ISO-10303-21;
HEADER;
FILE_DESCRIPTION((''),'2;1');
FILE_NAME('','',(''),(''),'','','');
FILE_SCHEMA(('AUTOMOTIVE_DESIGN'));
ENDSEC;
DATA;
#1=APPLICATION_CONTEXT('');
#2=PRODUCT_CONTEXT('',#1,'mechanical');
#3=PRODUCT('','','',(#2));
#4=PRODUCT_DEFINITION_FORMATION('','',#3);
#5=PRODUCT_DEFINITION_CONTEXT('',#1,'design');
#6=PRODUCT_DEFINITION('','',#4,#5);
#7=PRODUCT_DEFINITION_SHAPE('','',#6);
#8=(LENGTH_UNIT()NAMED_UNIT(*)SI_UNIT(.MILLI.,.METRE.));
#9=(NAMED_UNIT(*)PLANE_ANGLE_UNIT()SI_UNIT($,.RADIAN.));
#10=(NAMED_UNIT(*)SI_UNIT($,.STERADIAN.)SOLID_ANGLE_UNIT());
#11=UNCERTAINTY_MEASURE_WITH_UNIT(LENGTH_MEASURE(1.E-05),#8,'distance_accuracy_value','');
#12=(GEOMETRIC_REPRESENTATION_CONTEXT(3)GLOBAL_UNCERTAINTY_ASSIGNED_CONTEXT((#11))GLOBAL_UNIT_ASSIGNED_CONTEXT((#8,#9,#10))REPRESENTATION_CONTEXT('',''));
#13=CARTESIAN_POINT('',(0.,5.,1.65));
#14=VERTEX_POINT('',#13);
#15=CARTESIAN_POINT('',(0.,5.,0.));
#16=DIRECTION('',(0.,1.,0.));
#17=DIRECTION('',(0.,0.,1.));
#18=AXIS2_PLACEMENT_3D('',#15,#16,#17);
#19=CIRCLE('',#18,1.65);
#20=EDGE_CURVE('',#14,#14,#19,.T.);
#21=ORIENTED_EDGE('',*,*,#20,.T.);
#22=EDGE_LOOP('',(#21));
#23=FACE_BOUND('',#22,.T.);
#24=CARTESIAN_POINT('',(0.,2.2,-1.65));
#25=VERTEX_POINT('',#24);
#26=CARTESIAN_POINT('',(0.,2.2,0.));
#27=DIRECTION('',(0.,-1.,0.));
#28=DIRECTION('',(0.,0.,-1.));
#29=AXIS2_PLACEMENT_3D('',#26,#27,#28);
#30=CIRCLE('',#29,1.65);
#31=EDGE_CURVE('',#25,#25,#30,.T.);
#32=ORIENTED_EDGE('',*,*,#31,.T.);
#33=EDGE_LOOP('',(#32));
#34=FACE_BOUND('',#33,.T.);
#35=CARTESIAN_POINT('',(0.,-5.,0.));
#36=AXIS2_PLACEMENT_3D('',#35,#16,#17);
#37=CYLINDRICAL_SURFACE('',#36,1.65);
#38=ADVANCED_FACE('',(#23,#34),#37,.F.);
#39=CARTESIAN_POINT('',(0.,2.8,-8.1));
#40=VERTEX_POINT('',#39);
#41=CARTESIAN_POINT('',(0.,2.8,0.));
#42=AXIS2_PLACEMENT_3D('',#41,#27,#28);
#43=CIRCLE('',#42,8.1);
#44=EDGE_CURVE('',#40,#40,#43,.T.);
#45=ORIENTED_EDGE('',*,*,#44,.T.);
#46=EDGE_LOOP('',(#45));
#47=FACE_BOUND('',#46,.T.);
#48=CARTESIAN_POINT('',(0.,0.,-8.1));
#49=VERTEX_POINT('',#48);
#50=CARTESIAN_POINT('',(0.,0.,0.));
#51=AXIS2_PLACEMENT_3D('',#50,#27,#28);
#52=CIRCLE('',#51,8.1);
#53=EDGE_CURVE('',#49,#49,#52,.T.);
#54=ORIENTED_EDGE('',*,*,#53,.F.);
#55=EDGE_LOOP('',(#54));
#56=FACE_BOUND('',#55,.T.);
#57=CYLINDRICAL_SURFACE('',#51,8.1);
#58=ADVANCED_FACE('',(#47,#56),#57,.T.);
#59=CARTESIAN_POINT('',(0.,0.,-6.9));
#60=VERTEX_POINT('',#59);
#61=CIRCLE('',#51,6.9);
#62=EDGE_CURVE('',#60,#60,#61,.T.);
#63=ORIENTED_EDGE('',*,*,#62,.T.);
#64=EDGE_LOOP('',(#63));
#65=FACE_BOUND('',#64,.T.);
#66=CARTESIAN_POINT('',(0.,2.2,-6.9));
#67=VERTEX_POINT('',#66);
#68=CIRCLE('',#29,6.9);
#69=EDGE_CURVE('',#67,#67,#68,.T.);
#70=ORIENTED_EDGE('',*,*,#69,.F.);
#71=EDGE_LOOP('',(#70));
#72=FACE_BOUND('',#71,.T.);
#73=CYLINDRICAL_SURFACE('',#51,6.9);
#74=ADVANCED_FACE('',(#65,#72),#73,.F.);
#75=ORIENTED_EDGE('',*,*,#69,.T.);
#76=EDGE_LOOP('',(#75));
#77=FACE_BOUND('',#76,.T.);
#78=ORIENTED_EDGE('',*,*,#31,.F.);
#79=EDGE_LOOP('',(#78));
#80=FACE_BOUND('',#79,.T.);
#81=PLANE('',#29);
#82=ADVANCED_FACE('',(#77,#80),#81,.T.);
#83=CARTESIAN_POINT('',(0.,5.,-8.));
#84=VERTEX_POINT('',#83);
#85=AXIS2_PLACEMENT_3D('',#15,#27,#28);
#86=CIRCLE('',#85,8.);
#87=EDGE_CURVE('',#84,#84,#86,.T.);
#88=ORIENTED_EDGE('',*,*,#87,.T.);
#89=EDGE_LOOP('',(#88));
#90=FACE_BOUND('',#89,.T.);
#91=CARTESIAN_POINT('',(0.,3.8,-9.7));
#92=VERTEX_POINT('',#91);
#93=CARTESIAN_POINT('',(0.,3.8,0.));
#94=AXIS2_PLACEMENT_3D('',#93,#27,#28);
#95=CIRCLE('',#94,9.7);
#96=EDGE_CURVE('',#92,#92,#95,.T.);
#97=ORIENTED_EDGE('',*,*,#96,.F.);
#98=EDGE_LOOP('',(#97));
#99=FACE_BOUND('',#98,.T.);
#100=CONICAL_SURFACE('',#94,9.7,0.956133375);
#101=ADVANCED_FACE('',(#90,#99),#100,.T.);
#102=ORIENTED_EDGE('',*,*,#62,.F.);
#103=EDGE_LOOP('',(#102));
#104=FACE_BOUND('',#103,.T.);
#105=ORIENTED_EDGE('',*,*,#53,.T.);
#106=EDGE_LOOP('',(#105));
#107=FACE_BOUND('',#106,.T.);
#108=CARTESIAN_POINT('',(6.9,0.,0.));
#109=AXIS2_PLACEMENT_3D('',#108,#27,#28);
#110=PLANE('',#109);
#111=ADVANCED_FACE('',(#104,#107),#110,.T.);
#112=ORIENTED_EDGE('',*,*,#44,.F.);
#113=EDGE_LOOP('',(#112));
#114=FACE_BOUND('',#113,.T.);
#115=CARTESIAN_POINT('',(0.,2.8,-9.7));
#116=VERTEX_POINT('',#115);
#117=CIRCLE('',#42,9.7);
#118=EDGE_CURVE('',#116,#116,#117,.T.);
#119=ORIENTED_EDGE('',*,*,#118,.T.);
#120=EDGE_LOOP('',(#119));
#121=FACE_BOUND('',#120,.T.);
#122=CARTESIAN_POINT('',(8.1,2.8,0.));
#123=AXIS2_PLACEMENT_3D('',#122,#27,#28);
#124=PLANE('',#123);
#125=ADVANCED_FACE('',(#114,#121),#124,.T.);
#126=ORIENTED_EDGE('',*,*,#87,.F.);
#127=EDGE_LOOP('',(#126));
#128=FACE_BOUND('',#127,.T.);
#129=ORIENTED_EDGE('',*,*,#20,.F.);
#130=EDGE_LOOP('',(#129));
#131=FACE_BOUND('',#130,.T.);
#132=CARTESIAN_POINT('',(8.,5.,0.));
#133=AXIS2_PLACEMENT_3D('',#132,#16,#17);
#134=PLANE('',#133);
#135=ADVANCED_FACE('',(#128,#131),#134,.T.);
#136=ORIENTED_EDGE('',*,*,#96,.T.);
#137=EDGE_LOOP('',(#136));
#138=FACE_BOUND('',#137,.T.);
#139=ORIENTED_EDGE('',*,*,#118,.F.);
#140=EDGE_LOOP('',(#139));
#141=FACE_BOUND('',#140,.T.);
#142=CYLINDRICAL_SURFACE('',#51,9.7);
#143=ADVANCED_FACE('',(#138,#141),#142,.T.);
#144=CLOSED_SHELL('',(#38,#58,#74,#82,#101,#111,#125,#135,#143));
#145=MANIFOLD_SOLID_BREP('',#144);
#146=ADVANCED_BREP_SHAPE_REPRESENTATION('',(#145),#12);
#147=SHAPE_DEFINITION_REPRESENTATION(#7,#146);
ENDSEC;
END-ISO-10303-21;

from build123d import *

# Parameters (mm, degrees)
SKETCH2_R          = 1.65
CUT_EXTRUDE1_DEPTH = 10


with BuildPart() as part:
    # Sketch1 → Revolve1 (revolve)
    with BuildSketch(Plane.XY):
        Polygon((0, 2.2), (6.9, 2.2), (6.9, 0), (8.1, 0), (8.1, 2.8), (9.7, 2.8), (9.7, 3.8), (8, 5), (0, 5), align=None)
    revolve(axis=Axis((0, 0, 0), (0, 1, 0)))

    # Sketch2 → Cut-Extrude1 (cut)
    with BuildSketch(Plane(origin=(0, 5, 0), x_dir=(1, 0, 0), z_dir=(0, 1, 0))):
        Circle(SKETCH2_R)
    extrude(amount=-CUT_EXTRUDE1_DEPTH, mode=Mode.SUBTRACT)


solid = part.part
